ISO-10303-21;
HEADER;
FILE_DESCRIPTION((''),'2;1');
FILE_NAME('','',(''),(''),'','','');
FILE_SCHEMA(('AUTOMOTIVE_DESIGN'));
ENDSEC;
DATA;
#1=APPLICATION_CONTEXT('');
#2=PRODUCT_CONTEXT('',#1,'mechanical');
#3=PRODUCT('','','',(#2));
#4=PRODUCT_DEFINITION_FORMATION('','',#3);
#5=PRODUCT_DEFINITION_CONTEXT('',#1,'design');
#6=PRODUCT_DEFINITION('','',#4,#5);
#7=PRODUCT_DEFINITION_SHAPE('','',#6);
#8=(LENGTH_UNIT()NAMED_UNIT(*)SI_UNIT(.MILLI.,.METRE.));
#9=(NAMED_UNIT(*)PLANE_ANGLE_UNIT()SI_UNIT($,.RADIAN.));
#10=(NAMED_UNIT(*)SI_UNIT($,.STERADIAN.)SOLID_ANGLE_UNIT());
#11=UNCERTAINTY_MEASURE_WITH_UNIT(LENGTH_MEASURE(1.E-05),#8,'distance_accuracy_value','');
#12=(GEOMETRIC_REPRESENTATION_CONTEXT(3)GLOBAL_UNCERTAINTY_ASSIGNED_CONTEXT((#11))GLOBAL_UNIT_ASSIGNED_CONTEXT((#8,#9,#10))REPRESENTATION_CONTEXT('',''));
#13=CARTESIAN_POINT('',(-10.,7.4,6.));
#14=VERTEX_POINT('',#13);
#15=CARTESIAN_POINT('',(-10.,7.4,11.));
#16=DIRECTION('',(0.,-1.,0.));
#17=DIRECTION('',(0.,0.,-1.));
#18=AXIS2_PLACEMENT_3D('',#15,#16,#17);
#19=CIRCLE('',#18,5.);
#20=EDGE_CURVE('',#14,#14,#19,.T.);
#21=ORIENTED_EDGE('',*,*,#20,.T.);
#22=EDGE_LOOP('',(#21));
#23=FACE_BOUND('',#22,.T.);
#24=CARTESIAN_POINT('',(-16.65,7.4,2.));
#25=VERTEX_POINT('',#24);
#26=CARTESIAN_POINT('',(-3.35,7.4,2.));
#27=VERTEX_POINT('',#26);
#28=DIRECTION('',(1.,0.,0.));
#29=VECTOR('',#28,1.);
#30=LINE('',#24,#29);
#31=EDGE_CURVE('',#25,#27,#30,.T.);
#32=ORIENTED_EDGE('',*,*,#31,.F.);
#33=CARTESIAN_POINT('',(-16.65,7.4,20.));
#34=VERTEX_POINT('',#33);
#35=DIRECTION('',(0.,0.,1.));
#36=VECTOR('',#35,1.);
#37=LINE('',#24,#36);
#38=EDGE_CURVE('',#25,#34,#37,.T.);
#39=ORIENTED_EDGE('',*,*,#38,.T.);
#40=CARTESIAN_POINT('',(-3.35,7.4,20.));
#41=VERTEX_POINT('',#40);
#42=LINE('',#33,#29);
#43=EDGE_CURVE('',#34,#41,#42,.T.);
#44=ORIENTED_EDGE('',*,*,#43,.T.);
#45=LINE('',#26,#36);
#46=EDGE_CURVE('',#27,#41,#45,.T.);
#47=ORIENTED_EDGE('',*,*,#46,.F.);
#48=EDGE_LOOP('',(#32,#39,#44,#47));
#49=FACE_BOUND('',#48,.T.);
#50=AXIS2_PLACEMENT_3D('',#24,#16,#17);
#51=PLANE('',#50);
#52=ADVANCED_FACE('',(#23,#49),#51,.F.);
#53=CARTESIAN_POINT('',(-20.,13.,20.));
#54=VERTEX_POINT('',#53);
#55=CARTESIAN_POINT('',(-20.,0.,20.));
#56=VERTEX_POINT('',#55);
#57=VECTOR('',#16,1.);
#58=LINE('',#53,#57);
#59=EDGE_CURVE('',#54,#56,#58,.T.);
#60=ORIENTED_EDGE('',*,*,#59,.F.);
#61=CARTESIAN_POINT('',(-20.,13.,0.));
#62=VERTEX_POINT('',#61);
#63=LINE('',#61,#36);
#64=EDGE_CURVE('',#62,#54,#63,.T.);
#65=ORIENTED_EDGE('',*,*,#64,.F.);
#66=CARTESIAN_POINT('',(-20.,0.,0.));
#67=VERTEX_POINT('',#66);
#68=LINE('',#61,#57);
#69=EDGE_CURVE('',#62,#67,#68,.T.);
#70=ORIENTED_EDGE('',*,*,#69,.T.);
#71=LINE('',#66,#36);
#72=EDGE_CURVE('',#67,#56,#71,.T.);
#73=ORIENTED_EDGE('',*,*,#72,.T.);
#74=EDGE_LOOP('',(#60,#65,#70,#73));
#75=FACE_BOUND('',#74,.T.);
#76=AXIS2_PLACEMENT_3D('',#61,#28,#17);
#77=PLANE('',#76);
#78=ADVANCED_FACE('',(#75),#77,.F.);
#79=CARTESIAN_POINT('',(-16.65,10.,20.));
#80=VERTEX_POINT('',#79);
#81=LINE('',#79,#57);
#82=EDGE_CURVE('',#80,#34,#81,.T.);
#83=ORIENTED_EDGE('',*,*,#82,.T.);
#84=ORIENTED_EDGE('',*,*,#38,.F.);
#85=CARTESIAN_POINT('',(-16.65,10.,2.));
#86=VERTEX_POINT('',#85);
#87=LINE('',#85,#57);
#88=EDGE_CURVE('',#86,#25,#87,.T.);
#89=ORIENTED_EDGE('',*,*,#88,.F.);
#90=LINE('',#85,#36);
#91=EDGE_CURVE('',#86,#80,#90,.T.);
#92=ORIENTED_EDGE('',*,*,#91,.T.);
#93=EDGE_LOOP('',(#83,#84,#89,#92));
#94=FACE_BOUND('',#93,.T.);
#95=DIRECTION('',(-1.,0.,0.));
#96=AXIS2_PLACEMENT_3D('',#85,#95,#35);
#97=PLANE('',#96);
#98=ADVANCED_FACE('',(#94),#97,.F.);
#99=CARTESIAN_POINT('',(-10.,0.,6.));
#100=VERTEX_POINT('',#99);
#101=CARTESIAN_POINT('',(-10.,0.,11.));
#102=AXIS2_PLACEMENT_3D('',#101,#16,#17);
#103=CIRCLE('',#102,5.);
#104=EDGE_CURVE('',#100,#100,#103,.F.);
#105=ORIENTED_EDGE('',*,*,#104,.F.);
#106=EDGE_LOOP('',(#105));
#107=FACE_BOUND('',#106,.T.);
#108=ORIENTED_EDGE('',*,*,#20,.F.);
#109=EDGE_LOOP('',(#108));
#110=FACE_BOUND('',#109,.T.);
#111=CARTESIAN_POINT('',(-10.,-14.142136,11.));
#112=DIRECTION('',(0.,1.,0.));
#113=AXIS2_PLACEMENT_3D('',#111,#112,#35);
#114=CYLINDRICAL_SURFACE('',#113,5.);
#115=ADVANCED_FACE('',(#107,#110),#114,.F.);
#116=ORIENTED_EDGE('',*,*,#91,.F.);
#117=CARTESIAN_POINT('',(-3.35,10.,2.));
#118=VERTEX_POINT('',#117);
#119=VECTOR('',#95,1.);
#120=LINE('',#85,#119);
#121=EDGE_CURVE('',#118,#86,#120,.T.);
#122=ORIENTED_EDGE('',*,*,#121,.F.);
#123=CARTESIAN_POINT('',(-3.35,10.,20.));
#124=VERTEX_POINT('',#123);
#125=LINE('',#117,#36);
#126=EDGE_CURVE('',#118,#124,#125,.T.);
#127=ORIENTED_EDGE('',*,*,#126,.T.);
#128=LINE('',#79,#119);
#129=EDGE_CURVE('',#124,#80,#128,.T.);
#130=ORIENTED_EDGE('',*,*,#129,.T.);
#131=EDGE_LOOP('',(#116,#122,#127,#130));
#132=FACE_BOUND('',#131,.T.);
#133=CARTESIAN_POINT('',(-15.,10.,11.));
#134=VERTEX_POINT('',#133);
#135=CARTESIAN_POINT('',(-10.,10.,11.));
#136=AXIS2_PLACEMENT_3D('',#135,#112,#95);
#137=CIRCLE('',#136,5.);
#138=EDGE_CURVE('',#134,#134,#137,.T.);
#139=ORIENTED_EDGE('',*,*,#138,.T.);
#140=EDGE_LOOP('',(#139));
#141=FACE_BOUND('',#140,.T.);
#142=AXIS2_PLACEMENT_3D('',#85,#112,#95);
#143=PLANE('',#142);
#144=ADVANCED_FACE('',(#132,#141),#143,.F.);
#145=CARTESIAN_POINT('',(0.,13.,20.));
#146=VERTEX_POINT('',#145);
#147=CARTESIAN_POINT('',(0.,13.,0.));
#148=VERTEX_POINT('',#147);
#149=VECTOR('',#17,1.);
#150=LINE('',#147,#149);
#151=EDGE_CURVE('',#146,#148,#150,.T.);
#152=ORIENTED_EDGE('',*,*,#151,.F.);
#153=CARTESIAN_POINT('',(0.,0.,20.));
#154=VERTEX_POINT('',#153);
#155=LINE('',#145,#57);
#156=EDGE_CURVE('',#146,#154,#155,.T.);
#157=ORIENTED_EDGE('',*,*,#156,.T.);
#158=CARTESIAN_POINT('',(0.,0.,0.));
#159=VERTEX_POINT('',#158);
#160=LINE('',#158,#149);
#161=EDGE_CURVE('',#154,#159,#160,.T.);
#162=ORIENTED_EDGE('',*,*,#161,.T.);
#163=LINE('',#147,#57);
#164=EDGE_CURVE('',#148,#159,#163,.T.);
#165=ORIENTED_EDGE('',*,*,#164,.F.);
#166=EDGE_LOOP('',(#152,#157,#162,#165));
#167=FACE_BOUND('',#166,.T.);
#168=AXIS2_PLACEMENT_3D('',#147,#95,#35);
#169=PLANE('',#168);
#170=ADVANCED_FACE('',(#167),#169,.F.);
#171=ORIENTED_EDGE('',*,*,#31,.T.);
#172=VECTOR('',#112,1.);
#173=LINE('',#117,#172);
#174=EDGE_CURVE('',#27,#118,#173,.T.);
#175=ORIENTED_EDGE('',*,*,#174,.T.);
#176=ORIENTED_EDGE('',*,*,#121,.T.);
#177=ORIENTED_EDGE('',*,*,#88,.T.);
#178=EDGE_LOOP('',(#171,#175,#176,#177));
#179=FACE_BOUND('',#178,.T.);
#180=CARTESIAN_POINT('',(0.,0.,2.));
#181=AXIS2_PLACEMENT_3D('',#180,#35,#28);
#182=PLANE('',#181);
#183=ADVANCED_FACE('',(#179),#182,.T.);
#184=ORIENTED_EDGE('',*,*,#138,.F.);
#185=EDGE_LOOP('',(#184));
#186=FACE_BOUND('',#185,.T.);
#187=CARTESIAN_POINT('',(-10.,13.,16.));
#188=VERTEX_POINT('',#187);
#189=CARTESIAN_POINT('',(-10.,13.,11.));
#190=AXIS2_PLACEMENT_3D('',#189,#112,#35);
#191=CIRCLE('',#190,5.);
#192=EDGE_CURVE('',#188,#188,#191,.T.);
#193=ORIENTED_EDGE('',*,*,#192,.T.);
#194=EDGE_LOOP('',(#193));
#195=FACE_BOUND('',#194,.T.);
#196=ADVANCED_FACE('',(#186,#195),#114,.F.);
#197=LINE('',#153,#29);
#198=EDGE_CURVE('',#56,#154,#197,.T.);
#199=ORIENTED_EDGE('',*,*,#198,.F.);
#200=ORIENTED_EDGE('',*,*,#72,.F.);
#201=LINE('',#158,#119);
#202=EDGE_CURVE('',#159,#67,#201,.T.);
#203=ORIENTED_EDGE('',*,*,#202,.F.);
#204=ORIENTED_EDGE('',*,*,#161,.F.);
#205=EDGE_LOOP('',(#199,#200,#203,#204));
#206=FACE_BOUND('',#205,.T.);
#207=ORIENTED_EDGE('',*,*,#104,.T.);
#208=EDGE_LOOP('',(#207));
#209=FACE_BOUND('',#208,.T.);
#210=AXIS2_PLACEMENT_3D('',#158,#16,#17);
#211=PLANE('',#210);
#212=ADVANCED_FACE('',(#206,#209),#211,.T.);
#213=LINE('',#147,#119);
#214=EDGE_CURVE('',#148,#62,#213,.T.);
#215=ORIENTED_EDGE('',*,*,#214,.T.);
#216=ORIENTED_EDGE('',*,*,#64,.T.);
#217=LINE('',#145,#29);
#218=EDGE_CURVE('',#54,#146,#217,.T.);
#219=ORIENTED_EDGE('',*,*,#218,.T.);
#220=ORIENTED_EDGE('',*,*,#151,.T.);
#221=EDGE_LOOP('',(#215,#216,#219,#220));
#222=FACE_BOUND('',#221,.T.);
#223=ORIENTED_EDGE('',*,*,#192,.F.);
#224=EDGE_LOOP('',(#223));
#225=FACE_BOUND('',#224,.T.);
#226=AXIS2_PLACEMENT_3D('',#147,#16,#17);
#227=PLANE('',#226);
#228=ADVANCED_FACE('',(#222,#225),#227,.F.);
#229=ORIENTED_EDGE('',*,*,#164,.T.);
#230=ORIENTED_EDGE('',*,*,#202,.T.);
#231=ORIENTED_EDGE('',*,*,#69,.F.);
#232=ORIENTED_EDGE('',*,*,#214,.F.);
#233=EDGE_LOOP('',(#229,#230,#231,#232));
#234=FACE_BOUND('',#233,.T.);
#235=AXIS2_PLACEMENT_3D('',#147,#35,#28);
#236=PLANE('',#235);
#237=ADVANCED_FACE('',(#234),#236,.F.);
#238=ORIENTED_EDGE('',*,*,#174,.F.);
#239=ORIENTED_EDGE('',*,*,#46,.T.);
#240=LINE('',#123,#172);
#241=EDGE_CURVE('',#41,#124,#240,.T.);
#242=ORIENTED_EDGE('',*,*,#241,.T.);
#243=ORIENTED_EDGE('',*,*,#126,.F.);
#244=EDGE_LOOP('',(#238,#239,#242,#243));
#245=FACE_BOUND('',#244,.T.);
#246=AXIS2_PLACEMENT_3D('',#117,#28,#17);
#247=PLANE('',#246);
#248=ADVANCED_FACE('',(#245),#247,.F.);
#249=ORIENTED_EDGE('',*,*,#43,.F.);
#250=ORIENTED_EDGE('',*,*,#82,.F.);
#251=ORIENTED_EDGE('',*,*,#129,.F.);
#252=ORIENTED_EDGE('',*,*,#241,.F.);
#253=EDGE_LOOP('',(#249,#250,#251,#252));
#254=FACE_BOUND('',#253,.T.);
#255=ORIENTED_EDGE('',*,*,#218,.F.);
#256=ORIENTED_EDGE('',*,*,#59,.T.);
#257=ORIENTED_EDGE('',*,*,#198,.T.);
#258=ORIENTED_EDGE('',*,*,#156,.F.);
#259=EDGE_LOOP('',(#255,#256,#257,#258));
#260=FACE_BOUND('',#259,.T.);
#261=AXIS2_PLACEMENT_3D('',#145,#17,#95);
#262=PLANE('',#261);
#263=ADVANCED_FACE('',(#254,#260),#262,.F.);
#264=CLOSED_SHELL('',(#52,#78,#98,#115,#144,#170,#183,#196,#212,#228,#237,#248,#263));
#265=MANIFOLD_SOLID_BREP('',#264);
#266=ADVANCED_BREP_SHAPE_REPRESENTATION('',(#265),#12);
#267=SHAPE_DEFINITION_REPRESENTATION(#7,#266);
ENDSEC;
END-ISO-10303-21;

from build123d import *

# Parameters (mm, degrees)
CROQUIS1_W              = 20
CROQUIS1_H              = 20
SALIENTE_EXTRUIR1_DEPTH = 13
CROQUIS3_W              = 13.3
CROQUIS3_H              = 2.6
CORTAR_EXTRUIR1_DEPTH   = 18
CORTAR_EXTRUIR2_REACH   = 33.129
CROQUIS4_R              = 5


with BuildPart() as part:
    # Croquis1 → Saliente-Extruir1 (new body)
    with BuildSketch(Plane(origin=(0, 0, 0), x_dir=(1, 0, 0), z_dir=(0, 1, 0))):
        with Locations((-10, -10)):
            Rectangle(CROQUIS1_W, CROQUIS1_H)
    extrude(amount=SALIENTE_EXTRUIR1_DEPTH)

    # Croquis3 → Cortar-Extruir1 (cut)
    with BuildSketch(Plane.XY.offset(20)):
        with Locations((-10, 8.7)):
            Rectangle(CROQUIS3_W, CROQUIS3_H)
    extrude(amount=-CORTAR_EXTRUIR1_DEPTH, mode=Mode.SUBTRACT)

    # Cortar-Extruir2: up to this face of the body (flat: up to its plane)
    cortar_extruir2_end = Plane(part.part.faces().sort_by_distance((-10, 0, 10))[0])
    # Croquis4 → Cortar-Extruir2 (cut, up to the picked face)
    with BuildSketch(Plane(origin=(0, 13, 0), x_dir=(1, 0, 0), z_dir=(0, 1, 0)), mode=Mode.PRIVATE) as cortar_extruir2_sk1:
        with Locations(Location((-10, -11, 0), (0, 0, 90))):
            Circle(CROQUIS4_R)
    cortar_extruir2_tool1 = split(extrude(cortar_extruir2_sk1.sketch, amount=-CORTAR_EXTRUIR2_REACH, mode=Mode.PRIVATE), bisect_by=cortar_extruir2_end, keep=Keep.BOTH, mode=Mode.PRIVATE)
    add(cortar_extruir2_tool1.solids().sort_by(Axis((-10, 13, 11), (0, -1, 0)))[0], mode=Mode.SUBTRACT)


solid = part.part
